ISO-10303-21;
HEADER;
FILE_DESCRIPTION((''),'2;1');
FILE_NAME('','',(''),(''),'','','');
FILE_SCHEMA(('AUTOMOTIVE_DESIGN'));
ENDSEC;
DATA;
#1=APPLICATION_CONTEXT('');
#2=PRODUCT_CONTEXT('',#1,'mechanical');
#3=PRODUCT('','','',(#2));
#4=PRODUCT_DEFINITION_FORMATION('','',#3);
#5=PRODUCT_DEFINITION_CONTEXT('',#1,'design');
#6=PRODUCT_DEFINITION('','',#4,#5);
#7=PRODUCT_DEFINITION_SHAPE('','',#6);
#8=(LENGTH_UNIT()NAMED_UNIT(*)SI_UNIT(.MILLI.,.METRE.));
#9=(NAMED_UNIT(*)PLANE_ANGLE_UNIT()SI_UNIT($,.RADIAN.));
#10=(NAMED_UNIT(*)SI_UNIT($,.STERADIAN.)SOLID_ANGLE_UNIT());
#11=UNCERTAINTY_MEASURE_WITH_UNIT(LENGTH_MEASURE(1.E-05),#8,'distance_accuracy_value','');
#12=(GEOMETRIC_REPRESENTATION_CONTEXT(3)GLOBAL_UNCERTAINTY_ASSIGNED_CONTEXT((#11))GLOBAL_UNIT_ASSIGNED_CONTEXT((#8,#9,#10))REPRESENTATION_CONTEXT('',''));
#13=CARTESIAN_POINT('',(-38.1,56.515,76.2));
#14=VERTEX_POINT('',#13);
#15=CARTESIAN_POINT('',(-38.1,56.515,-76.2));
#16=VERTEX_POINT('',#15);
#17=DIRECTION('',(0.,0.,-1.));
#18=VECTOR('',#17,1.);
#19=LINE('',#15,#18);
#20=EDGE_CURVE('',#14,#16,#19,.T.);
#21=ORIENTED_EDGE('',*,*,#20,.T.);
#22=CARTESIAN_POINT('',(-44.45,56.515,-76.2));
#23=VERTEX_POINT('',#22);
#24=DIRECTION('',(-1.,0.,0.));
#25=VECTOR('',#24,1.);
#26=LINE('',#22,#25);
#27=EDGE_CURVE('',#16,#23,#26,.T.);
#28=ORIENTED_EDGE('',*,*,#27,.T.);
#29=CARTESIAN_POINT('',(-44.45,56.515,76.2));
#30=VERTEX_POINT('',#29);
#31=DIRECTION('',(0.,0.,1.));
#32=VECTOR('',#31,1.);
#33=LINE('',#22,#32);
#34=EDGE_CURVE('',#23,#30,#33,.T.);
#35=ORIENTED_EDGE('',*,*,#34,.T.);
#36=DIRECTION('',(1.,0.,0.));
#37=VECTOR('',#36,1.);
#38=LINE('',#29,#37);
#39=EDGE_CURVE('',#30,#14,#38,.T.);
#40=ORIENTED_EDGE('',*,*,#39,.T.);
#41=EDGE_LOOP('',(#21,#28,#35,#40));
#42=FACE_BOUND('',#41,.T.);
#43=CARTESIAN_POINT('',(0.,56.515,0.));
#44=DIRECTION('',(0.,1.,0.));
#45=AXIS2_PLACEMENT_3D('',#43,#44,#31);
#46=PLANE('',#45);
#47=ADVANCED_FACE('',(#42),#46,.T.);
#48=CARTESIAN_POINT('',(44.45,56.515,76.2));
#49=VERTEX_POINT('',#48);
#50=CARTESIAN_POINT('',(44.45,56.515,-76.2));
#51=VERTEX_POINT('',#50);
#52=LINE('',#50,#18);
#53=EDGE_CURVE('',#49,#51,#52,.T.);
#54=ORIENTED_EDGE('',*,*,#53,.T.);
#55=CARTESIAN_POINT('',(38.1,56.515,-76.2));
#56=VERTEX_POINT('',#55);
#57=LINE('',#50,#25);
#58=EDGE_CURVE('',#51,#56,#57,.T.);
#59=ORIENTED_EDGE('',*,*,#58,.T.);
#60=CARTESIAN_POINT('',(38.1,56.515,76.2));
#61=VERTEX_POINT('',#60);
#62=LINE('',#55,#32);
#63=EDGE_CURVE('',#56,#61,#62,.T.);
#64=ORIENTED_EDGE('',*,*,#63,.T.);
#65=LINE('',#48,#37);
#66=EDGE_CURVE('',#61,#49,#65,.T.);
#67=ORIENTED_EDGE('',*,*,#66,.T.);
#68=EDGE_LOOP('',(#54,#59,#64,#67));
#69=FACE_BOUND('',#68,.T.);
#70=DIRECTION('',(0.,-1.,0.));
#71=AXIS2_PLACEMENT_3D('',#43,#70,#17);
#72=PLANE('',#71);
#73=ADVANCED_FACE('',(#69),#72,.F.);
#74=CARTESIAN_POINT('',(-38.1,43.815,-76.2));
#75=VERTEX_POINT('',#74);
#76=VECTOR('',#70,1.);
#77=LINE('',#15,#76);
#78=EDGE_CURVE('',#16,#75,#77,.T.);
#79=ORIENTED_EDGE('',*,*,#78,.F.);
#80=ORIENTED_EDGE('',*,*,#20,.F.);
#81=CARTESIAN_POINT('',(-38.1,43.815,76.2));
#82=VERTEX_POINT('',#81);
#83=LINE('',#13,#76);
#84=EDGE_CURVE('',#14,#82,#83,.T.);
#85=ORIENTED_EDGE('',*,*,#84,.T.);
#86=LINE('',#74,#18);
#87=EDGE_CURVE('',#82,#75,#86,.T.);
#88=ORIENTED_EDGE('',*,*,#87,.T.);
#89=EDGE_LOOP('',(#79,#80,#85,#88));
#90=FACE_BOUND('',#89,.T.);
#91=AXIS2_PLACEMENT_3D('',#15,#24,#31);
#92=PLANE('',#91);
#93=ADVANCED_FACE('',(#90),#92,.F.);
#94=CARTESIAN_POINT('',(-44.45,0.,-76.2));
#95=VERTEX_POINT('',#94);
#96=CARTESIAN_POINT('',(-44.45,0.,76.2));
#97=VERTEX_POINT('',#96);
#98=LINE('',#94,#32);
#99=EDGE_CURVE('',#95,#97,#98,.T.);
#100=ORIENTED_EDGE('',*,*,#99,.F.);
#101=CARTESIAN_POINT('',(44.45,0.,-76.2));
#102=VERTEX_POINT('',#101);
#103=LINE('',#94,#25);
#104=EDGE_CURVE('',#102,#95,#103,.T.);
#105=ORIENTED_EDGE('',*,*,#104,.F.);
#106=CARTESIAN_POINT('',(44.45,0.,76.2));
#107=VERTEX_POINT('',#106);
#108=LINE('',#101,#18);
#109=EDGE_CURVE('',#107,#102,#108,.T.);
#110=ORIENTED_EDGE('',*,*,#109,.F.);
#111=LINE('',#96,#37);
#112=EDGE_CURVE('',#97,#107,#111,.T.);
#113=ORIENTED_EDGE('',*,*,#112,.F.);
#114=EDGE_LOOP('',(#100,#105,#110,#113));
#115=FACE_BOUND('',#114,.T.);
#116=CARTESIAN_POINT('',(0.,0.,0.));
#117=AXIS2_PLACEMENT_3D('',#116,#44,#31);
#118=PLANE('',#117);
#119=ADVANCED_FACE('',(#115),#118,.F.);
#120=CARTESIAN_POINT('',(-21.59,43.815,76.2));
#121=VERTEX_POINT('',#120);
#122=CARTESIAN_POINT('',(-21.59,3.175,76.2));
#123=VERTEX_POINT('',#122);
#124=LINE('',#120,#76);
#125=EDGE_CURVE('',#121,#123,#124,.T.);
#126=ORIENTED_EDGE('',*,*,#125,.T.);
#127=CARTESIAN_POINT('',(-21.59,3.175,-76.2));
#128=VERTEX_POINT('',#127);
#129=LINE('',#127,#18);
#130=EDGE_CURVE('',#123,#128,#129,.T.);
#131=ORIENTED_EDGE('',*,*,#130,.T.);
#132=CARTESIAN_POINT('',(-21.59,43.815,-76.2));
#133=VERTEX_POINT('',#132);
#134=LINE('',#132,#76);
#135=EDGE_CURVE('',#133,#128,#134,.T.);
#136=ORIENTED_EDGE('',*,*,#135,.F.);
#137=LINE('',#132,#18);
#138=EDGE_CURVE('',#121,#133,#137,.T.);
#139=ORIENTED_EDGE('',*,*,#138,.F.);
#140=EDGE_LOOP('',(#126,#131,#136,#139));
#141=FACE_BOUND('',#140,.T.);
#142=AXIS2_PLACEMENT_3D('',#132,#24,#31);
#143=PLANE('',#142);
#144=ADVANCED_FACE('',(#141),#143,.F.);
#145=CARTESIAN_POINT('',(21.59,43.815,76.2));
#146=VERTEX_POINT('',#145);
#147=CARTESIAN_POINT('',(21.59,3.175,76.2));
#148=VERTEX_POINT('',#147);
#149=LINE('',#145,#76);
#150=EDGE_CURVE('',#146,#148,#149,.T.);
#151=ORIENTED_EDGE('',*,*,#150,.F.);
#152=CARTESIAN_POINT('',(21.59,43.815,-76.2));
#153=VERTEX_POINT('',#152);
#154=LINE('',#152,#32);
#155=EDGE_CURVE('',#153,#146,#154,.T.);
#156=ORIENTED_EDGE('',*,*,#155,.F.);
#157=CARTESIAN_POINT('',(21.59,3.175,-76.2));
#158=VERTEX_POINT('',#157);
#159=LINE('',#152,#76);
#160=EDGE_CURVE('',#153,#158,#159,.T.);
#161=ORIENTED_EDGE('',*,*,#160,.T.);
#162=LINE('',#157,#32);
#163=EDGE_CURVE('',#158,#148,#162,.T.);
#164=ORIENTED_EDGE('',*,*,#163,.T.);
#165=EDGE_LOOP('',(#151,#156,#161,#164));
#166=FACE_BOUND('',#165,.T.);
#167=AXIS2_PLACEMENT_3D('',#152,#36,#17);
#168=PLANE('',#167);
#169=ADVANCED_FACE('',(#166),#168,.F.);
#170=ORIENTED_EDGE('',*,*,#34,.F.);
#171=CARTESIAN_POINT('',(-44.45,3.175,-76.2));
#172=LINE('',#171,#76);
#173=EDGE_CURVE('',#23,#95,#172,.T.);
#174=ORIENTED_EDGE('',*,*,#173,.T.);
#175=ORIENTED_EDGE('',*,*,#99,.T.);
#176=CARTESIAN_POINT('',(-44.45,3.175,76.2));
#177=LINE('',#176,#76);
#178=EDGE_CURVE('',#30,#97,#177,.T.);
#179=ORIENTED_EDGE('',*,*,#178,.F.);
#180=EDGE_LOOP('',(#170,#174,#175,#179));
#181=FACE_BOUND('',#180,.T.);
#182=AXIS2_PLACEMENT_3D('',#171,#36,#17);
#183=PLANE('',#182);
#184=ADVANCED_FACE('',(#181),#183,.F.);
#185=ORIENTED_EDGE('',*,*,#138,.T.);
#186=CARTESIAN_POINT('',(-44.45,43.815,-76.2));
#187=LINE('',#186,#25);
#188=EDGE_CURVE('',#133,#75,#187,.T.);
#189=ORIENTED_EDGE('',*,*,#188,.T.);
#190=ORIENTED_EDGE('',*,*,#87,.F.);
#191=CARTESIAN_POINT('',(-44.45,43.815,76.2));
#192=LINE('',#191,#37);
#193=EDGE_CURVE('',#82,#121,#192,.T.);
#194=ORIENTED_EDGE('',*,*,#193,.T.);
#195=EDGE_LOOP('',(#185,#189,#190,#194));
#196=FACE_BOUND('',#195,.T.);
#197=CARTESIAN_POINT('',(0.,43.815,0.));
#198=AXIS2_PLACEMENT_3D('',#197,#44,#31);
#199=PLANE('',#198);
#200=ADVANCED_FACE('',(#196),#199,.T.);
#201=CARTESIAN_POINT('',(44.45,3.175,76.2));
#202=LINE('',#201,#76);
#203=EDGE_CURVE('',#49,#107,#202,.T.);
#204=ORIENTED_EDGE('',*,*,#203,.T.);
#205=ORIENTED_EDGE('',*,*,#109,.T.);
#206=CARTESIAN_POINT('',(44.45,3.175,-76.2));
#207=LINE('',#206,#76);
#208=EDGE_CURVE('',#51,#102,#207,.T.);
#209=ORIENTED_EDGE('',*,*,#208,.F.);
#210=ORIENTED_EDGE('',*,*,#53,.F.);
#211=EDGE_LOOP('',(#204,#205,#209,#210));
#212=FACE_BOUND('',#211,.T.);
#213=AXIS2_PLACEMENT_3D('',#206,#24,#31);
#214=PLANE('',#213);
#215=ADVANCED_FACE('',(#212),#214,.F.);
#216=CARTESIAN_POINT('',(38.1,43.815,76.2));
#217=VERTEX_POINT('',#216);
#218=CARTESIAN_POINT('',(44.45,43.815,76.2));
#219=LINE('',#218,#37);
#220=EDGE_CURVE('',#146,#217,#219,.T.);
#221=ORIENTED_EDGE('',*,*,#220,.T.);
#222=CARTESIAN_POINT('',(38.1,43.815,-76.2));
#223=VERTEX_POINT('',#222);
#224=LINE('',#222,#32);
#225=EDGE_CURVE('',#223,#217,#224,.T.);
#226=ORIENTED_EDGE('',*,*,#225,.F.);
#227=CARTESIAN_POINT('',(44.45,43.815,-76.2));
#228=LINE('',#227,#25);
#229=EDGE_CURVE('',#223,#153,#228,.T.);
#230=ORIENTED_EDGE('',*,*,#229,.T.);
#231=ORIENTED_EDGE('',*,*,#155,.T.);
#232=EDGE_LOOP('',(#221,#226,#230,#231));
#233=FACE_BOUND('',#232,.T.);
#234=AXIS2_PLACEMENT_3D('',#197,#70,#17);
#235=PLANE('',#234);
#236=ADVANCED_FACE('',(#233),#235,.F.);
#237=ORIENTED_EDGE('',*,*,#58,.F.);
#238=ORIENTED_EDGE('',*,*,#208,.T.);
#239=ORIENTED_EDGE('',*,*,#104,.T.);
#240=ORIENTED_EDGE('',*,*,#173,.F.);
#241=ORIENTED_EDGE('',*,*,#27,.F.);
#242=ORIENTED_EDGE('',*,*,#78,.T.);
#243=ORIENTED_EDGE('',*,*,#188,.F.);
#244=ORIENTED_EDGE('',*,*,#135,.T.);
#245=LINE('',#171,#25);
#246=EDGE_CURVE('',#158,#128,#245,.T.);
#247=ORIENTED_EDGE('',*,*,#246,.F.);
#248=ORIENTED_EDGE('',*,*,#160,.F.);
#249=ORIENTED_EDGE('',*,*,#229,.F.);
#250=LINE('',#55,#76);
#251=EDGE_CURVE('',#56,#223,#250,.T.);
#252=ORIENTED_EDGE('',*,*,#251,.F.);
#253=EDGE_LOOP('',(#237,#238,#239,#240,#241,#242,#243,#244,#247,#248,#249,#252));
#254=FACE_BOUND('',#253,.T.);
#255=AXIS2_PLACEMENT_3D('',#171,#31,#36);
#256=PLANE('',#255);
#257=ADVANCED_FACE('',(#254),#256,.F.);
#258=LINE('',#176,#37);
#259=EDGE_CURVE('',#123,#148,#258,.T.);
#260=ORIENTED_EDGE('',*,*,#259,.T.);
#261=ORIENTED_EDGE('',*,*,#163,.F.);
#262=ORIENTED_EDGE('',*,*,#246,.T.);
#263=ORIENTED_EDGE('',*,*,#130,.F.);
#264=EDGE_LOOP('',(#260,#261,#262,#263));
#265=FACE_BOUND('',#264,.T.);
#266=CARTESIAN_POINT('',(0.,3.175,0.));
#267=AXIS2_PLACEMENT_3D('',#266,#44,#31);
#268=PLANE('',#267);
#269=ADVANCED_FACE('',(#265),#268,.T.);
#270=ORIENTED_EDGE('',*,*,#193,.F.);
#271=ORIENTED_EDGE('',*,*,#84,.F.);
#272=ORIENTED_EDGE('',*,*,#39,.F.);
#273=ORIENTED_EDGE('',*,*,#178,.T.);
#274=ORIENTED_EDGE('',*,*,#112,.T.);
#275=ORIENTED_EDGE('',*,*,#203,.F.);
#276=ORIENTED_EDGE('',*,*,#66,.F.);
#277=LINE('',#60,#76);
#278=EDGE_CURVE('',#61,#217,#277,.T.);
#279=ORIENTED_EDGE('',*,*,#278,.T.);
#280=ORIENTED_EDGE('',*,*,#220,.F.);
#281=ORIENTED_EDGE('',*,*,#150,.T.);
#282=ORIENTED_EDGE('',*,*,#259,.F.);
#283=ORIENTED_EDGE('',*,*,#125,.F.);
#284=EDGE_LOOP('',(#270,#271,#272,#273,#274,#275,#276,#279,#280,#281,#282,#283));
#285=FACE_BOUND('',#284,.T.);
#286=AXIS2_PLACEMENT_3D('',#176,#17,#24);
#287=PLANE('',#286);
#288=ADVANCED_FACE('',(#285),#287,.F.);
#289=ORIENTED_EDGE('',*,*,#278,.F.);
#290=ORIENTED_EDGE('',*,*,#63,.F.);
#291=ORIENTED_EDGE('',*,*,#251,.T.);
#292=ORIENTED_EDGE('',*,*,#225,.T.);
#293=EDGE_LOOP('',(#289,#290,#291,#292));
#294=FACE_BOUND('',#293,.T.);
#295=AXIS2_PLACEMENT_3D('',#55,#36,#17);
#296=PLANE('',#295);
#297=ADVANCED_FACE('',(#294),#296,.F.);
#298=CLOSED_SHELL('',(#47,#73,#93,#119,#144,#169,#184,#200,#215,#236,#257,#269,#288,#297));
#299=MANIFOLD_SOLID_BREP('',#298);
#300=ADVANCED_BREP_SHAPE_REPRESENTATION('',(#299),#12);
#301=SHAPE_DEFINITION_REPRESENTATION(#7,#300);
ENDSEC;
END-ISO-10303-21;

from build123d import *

# Parameters (mm, degrees)
SKETCH1_W           = 88.9
SKETCH1_H           = 152.4
BOSS_EXTRUDE1_DEPTH = 3.175
SKETCH2_W           = 22.86
SKETCH2_H           = 152.4
BOSS_EXTRUDE2_DEPTH = 40.64
SKETCH3_W           = 6.35
SKETCH3_H           = 152.4
BOSS_EXTRUDE3_DEPTH = 12.7


with BuildPart() as part:
    # Sketch1 → Boss-Extrude1 (new body)
    with BuildSketch(Plane(origin=(0, 0, 0), x_dir=(1, 0, 0), z_dir=(0, 1, 0))):
        Rectangle(SKETCH1_W, SKETCH1_H)
    extrude(amount=BOSS_EXTRUDE1_DEPTH)

    # Sketch2 → Boss-Extrude2 (add)
    with BuildSketch(Plane(origin=(0, 3.175, 0), x_dir=(1, 0, 0), z_dir=(0, 1, 0))):
        with Locations((-33.02, 0)):
            Rectangle(SKETCH2_W, SKETCH2_H)
        with Locations((33.02, 0)):
            Rectangle(SKETCH2_W, SKETCH2_H)
    extrude(amount=BOSS_EXTRUDE2_DEPTH)

    # Sketch3 → Boss-Extrude3 (add)
    with BuildSketch(Plane(origin=(0, 43.815, 0), x_dir=(1, 0, 0), z_dir=(0, 1, 0))):
        with Locations((-41.275, 0)):
            Rectangle(SKETCH3_W, SKETCH3_H)
        with Locations((41.275, 0)):
            Rectangle(SKETCH3_W, SKETCH3_H)
    extrude(amount=BOSS_EXTRUDE3_DEPTH)


solid = part.part
